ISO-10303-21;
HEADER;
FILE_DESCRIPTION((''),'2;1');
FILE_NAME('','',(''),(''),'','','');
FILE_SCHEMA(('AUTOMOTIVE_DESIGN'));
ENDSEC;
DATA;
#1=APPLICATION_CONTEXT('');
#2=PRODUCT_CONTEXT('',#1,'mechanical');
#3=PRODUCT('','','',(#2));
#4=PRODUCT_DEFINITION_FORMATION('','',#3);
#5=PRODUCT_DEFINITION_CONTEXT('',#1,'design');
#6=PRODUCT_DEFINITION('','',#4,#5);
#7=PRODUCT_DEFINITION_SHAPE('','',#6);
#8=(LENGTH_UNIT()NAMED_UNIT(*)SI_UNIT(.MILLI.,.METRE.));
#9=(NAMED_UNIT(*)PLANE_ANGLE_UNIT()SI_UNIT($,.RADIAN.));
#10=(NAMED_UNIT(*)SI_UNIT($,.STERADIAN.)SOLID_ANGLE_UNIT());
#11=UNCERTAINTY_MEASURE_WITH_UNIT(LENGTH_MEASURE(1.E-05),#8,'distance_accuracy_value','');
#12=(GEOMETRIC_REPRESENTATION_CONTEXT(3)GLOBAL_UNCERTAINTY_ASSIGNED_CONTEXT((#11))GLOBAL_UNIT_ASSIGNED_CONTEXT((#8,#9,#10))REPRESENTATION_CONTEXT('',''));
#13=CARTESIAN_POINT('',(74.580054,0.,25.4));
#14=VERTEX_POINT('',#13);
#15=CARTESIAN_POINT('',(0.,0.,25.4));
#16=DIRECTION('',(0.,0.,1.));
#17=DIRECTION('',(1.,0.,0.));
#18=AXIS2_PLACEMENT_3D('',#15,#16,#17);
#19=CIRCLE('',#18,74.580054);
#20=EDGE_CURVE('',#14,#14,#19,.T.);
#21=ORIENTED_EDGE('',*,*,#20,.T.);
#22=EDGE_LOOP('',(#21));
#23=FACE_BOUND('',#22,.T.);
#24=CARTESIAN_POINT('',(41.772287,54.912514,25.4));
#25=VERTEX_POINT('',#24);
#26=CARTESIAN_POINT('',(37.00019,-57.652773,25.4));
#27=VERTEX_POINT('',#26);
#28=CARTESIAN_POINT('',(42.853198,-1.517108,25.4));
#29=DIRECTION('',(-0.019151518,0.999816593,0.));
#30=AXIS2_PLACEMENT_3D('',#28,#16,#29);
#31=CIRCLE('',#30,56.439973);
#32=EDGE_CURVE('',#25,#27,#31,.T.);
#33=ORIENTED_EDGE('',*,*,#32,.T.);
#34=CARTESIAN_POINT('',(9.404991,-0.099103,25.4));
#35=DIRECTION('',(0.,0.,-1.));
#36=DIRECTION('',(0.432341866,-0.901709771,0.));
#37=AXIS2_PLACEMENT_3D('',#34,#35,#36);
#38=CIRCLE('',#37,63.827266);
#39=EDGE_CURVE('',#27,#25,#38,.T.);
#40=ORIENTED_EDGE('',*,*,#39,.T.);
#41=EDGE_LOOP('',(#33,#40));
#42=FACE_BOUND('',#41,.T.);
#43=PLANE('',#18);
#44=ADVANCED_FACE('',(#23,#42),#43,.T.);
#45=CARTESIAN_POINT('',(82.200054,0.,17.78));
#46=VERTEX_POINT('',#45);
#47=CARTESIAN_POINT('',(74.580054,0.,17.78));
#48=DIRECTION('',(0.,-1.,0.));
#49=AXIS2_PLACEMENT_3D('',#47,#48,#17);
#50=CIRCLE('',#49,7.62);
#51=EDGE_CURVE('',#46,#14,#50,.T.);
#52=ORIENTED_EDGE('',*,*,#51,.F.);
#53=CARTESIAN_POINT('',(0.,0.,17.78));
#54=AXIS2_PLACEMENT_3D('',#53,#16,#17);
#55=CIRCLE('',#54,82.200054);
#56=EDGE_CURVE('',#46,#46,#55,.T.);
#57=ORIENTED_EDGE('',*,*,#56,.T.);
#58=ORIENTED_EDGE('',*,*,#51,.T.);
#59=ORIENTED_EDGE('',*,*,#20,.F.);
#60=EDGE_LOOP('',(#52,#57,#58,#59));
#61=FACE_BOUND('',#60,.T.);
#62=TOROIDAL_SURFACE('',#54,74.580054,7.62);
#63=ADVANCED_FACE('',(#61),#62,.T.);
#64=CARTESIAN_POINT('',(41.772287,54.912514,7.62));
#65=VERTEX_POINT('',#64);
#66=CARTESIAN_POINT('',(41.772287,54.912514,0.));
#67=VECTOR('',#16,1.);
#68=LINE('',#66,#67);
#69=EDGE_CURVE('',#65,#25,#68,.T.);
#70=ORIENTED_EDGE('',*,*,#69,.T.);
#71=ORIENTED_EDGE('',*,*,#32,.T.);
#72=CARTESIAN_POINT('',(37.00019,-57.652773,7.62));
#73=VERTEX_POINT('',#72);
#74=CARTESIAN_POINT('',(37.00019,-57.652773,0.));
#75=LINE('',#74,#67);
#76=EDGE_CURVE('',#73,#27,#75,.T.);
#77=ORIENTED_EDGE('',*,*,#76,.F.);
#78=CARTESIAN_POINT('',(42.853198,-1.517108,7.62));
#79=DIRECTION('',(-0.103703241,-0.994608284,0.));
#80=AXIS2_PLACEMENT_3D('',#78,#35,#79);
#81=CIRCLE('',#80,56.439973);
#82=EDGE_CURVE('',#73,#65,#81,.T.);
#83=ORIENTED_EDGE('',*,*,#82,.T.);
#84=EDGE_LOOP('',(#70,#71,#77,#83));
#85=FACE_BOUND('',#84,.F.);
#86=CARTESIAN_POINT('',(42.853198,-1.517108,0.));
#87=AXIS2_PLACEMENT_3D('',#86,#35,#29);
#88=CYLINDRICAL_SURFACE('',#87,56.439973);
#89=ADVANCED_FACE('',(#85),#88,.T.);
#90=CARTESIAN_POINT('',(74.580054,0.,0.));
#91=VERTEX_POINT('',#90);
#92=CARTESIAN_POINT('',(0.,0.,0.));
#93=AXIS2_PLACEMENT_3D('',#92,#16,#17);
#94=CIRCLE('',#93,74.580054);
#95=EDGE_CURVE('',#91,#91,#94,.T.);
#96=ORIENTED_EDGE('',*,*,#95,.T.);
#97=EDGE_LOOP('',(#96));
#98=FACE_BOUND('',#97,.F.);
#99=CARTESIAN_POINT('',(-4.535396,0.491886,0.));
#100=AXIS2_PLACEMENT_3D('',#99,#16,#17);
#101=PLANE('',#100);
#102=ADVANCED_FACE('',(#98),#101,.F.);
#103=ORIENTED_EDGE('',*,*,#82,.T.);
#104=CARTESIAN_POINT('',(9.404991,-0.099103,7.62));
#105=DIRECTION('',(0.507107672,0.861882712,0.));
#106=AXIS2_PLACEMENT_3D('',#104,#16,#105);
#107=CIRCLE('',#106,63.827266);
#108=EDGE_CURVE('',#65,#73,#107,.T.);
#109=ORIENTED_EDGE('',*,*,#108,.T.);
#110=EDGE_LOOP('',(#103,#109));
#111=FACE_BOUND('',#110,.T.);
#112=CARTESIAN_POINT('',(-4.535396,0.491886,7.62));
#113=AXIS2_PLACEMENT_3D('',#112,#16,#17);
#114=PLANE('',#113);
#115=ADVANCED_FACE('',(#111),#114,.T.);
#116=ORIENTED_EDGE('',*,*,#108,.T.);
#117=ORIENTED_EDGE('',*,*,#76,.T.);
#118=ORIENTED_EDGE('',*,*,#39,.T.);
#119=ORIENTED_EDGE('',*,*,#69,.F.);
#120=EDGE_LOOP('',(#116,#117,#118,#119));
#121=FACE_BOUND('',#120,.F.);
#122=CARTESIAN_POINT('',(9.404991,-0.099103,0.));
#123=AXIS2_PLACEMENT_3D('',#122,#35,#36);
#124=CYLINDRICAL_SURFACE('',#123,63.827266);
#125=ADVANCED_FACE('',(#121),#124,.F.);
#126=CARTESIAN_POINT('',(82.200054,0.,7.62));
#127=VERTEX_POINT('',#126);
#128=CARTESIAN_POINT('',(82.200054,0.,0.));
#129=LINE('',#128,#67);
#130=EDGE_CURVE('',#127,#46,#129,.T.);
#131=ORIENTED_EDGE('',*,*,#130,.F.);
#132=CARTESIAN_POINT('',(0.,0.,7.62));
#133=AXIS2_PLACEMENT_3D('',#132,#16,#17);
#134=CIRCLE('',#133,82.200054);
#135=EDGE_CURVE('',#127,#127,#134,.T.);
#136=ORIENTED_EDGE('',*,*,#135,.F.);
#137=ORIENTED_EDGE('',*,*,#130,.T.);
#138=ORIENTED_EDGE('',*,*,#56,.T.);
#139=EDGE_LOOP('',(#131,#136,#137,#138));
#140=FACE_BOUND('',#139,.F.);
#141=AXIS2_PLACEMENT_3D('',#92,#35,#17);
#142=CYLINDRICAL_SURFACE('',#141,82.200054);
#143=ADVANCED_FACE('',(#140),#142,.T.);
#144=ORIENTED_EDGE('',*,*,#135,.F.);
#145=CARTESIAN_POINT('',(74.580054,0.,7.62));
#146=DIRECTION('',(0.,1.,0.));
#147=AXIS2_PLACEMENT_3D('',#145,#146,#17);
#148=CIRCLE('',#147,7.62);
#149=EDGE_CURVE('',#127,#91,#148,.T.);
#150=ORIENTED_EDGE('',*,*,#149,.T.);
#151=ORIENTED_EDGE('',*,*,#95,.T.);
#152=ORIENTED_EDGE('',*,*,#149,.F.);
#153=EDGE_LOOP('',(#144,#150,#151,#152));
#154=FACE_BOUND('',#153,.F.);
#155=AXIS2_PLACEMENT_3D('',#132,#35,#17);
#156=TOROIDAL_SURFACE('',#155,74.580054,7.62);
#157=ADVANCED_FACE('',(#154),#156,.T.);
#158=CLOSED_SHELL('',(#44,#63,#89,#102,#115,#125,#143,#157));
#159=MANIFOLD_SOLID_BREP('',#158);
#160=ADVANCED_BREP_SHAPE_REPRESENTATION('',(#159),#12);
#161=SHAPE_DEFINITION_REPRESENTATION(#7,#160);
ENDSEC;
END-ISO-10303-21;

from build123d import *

# Parameters (mm, degrees)
F0_R     = 82.200054
F0_R_2   = 75.168318
F1_DEPTH = 25.4
F2_R     = 7.62
F3_DEPTH = 7.62


with BuildPart() as f1:
    # F0 (on Top) → F1 (new body)
    with BuildSketch(Plane.XY):
        Circle(F0_R)
        Circle(F0_R_2, mode=Mode.SUBTRACT)
        Circle(F0_R_2)
        with BuildLine():
            ThreePointArc((37.00019, -57.652773), (-54.364996, 2.604364), (41.772287, 54.912514))
            ThreePointArc((41.772287, 54.912514), (-13.536125, 0.873463), (37.00019, -57.652773))
        make_face(mode=Mode.SUBTRACT)
    extrude(amount=F1_DEPTH)

    # F2
    f2_edges = [f1.edges().sort_by_distance(p)[0] for p in [
        (-82.200054, 0, 25.4),
        (-82.200054, 0, 0),
    ]]
    fillet(f2_edges, radius=F2_R)

    # F0 (on Top) → F3 (join)
    with BuildSketch(Plane.XY):
        with BuildLine():
            ThreePointArc((37.00019, -57.652773), (-13.536125, 0.873463), (41.772287, 54.912514))
            ThreePointArc((41.772287, 54.912514), (-54.364996, 2.604364), (37.00019, -57.652773))
        make_face()
    extrude(amount=F3_DEPTH)


solid = f1.part
